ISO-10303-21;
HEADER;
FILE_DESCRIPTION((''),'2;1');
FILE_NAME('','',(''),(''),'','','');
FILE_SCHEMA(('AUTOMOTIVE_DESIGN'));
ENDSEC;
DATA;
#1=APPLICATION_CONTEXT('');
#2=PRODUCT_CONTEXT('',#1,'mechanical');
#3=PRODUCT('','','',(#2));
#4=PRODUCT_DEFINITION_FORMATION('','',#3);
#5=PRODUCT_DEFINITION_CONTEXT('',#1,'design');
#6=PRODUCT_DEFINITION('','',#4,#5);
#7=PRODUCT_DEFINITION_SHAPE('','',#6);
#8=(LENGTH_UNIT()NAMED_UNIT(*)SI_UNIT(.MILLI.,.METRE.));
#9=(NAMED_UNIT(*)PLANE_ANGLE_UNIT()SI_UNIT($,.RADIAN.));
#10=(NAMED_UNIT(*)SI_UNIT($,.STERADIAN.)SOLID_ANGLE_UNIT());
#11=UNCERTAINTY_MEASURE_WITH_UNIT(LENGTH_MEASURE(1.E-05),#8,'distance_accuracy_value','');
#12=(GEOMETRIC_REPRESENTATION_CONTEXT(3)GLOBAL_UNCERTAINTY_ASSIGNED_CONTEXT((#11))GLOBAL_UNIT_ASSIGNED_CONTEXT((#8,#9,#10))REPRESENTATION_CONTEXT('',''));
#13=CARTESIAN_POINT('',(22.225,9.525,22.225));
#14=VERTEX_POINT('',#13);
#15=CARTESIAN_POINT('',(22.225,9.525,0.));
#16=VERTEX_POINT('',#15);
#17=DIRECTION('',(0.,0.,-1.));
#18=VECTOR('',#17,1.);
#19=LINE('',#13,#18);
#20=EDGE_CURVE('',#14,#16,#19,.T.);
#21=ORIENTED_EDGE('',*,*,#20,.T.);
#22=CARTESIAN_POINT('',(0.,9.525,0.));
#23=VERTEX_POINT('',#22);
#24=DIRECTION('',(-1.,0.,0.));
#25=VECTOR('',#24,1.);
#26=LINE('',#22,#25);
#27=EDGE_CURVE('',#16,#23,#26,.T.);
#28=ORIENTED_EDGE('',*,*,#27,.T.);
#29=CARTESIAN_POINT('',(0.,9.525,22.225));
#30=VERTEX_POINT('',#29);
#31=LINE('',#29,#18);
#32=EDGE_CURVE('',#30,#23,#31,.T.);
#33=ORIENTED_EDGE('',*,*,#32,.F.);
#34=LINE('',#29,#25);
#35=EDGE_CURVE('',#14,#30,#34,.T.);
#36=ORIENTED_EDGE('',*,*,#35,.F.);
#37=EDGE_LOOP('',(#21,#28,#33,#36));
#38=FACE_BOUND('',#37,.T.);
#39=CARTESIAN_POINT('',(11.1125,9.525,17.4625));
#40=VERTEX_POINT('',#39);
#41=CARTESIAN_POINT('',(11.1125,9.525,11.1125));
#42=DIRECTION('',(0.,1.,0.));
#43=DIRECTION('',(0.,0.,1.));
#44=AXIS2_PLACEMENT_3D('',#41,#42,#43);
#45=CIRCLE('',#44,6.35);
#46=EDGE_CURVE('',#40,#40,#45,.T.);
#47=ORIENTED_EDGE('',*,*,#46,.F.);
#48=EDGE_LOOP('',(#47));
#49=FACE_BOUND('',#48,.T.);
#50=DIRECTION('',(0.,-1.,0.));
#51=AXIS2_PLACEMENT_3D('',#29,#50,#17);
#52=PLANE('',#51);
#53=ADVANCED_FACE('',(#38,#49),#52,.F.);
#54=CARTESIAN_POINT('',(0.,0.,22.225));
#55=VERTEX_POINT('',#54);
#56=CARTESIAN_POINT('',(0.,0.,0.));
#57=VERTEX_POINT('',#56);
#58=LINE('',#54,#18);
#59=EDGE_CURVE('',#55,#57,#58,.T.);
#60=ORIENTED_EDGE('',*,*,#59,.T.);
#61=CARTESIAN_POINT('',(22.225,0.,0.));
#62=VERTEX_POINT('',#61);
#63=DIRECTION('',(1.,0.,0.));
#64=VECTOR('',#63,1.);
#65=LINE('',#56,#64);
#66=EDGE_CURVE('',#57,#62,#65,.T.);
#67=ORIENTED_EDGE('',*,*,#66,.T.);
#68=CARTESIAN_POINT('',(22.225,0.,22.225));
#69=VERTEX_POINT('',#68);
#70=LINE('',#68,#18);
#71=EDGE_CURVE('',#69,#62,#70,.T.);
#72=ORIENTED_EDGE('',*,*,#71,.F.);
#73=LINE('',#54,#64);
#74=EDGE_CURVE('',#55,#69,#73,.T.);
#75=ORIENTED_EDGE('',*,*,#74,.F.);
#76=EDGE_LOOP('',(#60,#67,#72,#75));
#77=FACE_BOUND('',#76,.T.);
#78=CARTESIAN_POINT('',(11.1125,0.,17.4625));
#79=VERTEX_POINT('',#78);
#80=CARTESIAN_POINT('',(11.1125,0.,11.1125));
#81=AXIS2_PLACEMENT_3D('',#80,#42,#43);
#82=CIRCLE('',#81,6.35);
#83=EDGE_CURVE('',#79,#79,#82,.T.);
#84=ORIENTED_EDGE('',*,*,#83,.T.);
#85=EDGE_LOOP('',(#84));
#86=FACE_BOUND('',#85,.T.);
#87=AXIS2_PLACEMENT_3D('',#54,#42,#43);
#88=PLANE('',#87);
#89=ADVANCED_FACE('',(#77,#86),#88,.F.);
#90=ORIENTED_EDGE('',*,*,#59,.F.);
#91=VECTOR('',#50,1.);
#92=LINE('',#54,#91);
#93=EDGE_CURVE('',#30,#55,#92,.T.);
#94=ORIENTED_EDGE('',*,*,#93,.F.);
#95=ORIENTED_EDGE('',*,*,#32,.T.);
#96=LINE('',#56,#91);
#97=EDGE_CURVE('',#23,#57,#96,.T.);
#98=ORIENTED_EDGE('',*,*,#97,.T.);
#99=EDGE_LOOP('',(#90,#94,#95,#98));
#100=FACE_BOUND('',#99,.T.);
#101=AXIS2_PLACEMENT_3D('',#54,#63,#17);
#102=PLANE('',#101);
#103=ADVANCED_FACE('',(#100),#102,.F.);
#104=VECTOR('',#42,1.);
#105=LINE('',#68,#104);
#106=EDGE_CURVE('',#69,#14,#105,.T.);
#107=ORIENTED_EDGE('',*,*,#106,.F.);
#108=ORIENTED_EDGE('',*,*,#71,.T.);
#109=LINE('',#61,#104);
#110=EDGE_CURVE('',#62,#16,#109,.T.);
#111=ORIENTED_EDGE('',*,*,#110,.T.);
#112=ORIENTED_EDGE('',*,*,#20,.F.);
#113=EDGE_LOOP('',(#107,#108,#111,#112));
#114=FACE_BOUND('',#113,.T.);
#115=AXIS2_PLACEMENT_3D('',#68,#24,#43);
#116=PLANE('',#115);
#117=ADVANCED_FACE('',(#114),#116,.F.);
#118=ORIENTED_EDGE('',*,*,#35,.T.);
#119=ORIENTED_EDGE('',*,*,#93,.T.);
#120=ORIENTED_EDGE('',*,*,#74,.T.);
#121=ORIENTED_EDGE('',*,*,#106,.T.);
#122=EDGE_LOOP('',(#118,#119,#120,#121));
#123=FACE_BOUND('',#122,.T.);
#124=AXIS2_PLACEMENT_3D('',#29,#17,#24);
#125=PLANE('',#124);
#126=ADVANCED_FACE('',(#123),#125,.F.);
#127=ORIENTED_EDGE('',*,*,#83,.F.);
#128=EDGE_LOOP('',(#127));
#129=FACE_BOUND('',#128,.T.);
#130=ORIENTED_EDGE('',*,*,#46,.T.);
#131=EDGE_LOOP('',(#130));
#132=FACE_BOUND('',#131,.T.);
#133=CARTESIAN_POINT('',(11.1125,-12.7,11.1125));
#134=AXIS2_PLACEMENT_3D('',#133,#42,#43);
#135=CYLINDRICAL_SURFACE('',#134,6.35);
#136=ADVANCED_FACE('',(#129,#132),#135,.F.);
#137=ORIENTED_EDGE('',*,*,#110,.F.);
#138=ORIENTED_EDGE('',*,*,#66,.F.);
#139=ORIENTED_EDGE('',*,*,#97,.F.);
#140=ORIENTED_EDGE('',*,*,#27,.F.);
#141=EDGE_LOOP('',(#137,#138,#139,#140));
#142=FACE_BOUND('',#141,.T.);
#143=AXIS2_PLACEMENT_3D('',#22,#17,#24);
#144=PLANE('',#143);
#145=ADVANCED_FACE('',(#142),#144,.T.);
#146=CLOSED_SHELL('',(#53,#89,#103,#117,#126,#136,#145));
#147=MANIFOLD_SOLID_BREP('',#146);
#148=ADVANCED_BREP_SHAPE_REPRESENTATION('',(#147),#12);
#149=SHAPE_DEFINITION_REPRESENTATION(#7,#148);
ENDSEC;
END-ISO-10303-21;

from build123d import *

# Parameters (mm, degrees)
SKETCH1_W           = 22.225
SKETCH1_H           = 9.525
BOSS_EXTRUDE1_DEPTH = 22.225
SKETCH2_R           = 6.35
CUT_EXTRUDE1_DEPTH  = 22.225


with BuildPart() as part:
    # Sketch1 → Boss-Extrude1 (new body)
    with BuildSketch(Plane.XY):
        with Locations((11.1125, 4.7625)):
            Rectangle(SKETCH1_W, SKETCH1_H)
    extrude(amount=BOSS_EXTRUDE1_DEPTH)

    # Sketch2 → Cut-Extrude1 (cut)
    with BuildSketch(Plane(origin=(0, 9.525, 0), x_dir=(1, 0, 0), z_dir=(0, 1, 0))):
        with Locations((11.1125, -11.1125)):
            Circle(SKETCH2_R)
    extrude(amount=-CUT_EXTRUDE1_DEPTH, mode=Mode.SUBTRACT)


solid = part.part
